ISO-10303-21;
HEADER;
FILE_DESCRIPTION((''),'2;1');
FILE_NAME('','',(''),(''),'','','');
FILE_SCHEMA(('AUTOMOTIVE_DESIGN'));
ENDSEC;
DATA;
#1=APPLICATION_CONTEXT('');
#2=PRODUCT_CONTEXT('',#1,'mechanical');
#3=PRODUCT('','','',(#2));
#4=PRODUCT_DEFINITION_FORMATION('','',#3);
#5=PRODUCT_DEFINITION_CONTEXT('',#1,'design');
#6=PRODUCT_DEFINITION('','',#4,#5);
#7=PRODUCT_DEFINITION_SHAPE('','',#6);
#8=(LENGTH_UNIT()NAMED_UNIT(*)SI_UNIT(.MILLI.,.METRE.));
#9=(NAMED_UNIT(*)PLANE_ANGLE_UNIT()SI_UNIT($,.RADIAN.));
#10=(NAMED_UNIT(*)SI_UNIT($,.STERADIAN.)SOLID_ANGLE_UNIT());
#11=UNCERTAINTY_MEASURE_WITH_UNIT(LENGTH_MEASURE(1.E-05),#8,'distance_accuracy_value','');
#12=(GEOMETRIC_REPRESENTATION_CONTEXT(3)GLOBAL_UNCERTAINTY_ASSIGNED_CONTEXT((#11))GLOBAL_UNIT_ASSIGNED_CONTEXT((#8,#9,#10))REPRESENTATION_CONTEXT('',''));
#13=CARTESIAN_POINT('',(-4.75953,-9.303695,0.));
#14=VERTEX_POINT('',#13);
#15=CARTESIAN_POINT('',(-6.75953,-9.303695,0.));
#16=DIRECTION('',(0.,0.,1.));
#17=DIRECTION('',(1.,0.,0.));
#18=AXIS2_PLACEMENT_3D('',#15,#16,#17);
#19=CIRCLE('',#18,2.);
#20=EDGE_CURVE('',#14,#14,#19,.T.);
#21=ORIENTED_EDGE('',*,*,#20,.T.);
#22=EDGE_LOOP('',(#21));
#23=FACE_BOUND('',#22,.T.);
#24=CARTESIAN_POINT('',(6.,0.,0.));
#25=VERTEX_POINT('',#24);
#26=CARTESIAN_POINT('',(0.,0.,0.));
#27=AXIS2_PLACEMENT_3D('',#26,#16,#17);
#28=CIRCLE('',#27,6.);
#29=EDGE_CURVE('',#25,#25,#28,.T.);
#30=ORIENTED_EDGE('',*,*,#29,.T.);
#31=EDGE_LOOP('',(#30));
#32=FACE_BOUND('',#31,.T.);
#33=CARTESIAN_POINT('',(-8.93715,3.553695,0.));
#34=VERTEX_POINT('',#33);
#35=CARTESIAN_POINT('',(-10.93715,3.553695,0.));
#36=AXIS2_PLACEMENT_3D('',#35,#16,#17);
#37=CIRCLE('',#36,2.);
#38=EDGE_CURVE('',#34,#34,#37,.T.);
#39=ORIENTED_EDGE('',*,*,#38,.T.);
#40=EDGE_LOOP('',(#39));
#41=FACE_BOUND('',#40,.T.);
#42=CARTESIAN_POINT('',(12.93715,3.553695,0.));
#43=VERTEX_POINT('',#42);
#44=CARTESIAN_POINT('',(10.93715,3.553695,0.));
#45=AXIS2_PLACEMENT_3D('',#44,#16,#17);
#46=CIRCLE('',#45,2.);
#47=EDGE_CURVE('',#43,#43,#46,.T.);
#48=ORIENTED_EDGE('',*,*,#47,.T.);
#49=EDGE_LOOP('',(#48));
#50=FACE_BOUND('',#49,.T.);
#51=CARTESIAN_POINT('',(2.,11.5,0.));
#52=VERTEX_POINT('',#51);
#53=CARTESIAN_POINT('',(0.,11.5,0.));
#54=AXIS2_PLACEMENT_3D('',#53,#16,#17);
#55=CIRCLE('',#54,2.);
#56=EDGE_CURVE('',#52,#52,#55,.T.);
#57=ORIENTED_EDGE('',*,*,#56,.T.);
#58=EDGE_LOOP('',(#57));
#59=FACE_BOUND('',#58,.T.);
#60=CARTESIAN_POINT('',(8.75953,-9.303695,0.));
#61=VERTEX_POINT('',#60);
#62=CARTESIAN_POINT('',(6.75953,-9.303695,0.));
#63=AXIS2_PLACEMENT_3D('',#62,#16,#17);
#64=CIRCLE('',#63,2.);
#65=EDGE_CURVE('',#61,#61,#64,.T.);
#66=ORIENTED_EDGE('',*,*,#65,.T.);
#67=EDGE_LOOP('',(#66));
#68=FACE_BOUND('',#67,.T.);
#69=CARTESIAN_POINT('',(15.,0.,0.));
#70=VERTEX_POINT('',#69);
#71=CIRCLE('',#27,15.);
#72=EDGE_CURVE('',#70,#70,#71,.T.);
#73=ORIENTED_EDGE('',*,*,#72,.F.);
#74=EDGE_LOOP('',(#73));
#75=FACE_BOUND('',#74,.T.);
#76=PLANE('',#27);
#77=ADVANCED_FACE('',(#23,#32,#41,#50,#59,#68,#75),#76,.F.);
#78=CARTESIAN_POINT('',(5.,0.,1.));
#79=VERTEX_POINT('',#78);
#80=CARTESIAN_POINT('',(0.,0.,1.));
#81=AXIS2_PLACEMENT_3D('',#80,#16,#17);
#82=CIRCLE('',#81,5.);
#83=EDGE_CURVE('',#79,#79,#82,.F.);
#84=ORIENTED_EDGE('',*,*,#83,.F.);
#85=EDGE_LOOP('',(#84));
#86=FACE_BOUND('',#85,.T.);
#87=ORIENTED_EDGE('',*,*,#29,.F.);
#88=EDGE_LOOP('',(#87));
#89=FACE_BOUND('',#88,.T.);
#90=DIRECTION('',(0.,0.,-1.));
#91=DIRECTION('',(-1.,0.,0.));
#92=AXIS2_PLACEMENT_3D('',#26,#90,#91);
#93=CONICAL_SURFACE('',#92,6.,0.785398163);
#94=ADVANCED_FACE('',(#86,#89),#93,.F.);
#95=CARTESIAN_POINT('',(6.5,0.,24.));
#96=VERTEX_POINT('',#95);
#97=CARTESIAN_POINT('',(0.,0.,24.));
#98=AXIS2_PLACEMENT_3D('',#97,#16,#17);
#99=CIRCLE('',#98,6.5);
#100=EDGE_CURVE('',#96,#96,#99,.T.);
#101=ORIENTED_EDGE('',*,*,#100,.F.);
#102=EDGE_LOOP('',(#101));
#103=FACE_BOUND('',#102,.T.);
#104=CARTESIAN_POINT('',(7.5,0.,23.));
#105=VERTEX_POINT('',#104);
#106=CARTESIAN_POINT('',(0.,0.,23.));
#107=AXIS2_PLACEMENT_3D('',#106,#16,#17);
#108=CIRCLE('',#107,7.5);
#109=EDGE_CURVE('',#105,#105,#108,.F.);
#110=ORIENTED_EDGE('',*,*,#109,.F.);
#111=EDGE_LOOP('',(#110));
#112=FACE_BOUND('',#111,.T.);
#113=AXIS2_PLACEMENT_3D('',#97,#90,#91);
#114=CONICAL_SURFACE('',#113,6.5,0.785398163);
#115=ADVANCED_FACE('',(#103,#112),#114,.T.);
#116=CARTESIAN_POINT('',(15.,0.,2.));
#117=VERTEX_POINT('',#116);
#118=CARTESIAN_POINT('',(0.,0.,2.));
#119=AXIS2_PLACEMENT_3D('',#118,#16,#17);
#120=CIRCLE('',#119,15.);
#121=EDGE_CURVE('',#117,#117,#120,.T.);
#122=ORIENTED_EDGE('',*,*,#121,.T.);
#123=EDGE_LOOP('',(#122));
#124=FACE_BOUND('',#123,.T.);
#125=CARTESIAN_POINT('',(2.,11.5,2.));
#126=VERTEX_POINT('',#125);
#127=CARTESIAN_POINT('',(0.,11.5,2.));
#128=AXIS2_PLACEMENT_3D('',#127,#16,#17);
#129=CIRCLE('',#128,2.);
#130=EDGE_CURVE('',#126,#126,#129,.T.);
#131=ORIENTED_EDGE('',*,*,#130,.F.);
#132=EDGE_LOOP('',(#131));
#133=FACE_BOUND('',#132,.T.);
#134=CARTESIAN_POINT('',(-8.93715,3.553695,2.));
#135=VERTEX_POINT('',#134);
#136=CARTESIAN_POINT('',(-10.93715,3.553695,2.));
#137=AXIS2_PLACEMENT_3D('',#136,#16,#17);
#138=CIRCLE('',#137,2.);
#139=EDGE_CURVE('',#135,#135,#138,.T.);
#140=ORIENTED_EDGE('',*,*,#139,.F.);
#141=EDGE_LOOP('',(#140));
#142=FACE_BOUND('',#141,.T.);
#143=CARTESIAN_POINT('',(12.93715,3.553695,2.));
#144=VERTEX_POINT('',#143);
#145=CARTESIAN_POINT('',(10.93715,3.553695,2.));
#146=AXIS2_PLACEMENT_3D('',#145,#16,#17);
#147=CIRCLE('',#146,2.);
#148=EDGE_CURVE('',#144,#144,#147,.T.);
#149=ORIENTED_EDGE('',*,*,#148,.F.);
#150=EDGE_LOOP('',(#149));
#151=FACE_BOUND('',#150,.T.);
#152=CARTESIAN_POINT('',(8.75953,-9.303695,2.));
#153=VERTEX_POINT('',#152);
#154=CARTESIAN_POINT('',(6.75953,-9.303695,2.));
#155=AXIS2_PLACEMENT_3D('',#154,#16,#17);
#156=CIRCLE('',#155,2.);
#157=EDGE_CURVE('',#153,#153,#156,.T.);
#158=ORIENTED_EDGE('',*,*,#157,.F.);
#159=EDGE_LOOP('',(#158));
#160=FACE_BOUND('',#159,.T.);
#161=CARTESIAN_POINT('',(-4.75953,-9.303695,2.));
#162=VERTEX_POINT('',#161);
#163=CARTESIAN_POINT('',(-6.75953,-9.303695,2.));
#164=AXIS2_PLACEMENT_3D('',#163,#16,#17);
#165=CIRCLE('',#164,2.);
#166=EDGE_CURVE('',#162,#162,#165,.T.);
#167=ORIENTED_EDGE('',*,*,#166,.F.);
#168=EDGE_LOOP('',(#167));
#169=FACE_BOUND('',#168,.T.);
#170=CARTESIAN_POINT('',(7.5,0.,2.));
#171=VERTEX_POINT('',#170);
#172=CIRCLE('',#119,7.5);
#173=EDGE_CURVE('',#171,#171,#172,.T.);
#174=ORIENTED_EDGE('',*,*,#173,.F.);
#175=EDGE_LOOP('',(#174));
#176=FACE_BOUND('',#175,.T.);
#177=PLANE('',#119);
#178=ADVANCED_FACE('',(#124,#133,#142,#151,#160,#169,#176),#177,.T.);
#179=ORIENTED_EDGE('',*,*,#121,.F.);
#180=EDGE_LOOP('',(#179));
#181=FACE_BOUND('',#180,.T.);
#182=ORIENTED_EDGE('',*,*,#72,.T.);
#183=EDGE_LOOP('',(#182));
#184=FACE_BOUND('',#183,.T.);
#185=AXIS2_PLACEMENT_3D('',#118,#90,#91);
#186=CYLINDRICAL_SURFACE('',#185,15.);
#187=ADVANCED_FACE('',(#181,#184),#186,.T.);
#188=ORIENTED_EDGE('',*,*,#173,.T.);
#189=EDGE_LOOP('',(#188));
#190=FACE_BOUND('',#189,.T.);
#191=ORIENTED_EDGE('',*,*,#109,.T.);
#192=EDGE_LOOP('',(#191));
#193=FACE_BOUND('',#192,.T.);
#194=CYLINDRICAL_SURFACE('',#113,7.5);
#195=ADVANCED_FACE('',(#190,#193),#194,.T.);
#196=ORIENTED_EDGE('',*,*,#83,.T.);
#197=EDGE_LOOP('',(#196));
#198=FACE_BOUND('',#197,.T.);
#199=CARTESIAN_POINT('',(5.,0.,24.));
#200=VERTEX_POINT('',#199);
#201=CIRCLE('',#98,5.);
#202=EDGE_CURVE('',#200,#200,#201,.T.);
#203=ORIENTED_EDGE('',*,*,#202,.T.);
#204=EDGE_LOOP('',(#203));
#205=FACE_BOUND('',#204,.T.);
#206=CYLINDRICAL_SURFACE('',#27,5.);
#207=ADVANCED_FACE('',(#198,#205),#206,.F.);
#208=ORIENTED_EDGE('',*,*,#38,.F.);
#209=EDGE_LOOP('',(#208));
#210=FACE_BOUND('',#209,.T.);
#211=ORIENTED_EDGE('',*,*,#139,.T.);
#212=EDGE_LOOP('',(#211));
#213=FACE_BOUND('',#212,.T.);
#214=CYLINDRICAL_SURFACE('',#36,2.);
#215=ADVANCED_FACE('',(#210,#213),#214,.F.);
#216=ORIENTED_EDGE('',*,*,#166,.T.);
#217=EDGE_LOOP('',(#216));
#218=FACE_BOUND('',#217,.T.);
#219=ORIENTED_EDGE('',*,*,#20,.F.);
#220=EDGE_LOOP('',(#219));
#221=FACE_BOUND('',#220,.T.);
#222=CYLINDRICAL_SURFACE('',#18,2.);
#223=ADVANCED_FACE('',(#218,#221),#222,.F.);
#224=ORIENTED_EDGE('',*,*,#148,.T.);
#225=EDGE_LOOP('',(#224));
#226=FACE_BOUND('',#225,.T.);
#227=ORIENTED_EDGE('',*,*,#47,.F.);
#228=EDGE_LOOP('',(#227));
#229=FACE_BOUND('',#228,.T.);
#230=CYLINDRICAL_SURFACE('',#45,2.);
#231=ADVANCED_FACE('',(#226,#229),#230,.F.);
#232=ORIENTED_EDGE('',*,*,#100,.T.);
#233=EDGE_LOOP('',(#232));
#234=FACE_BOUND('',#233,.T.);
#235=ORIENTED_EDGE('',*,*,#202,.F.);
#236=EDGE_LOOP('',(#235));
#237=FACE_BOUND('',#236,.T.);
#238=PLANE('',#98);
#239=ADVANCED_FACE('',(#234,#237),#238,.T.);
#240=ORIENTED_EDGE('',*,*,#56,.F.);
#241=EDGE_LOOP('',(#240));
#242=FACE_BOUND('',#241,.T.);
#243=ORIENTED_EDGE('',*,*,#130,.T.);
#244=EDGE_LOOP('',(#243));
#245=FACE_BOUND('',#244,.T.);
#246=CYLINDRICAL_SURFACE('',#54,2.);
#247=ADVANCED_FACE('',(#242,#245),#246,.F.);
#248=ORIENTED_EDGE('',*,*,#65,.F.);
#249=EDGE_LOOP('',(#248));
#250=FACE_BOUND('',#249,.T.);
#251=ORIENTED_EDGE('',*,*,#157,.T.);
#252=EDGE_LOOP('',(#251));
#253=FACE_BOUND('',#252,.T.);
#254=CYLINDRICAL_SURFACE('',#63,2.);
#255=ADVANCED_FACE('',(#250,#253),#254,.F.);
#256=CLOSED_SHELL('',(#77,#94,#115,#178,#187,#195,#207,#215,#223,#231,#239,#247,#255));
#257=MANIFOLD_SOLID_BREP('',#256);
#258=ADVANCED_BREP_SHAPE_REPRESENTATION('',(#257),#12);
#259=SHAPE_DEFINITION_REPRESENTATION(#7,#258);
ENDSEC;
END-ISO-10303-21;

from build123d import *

# Parameters (mm, degrees)
SKETCH1_R           = 15
BOSS_EXTRUDE1_DEPTH = 2
SKETCH2_R           = 7.5
BOSS_EXTRUDE2_DEPTH = 22
SKETCH3_R           = 5
CUT_EXTRUDE1_DEPTH  = 25
SKETCH4_R           = 2
CUT_EXTRUDE2_DEPTH  = 3
CHAMFER1_SIZE       = 1
CHAMFER2_SIZE       = 1


with BuildPart() as part:
    # Sketch1 → Boss-Extrude1 (new body)
    with BuildSketch(Plane.XY):
        Circle(SKETCH1_R)
    extrude(amount=BOSS_EXTRUDE1_DEPTH)

    # Sketch2 → Boss-Extrude2 (add)
    with BuildSketch(Plane.XY.offset(2)):
        Circle(SKETCH2_R)
    extrude(amount=BOSS_EXTRUDE2_DEPTH)

    # Sketch3 → Cut-Extrude1 (cut, through all)
    with BuildSketch(Plane.XY.offset(24)):
        Circle(SKETCH3_R)
    extrude(amount=-CUT_EXTRUDE1_DEPTH, mode=Mode.SUBTRACT)

    # Sketch4 → Cut-Extrude2 (cut, through all)
    with BuildSketch(Plane.XY.offset(2)):
        with Locations((0, 11.5)):
            Circle(SKETCH4_R)
        with Locations((10.937149937, 3.553695435)):
            Circle(SKETCH4_R)
        with Locations((6.759530401, -9.303695435)):
            Circle(SKETCH4_R)
        with Locations((-6.759530401, -9.303695435)):
            Circle(SKETCH4_R)
        with Locations((-10.937149937, 3.553695435)):
            Circle(SKETCH4_R)
    extrude(amount=-CUT_EXTRUDE2_DEPTH, mode=Mode.SUBTRACT)

    # Chamfer1
    chamfer1_edges = [part.edges().sort_by_distance(p)[0] for p in [
        (-5, 0, 0),
    ]]
    chamfer(chamfer1_edges, length=CHAMFER1_SIZE)

    # Chamfer2
    chamfer2_edges = [part.edges().sort_by_distance(p)[0] for p in [
        (-7.5, 0, 24),
    ]]
    chamfer(chamfer2_edges, length=CHAMFER2_SIZE)


solid = part.part
